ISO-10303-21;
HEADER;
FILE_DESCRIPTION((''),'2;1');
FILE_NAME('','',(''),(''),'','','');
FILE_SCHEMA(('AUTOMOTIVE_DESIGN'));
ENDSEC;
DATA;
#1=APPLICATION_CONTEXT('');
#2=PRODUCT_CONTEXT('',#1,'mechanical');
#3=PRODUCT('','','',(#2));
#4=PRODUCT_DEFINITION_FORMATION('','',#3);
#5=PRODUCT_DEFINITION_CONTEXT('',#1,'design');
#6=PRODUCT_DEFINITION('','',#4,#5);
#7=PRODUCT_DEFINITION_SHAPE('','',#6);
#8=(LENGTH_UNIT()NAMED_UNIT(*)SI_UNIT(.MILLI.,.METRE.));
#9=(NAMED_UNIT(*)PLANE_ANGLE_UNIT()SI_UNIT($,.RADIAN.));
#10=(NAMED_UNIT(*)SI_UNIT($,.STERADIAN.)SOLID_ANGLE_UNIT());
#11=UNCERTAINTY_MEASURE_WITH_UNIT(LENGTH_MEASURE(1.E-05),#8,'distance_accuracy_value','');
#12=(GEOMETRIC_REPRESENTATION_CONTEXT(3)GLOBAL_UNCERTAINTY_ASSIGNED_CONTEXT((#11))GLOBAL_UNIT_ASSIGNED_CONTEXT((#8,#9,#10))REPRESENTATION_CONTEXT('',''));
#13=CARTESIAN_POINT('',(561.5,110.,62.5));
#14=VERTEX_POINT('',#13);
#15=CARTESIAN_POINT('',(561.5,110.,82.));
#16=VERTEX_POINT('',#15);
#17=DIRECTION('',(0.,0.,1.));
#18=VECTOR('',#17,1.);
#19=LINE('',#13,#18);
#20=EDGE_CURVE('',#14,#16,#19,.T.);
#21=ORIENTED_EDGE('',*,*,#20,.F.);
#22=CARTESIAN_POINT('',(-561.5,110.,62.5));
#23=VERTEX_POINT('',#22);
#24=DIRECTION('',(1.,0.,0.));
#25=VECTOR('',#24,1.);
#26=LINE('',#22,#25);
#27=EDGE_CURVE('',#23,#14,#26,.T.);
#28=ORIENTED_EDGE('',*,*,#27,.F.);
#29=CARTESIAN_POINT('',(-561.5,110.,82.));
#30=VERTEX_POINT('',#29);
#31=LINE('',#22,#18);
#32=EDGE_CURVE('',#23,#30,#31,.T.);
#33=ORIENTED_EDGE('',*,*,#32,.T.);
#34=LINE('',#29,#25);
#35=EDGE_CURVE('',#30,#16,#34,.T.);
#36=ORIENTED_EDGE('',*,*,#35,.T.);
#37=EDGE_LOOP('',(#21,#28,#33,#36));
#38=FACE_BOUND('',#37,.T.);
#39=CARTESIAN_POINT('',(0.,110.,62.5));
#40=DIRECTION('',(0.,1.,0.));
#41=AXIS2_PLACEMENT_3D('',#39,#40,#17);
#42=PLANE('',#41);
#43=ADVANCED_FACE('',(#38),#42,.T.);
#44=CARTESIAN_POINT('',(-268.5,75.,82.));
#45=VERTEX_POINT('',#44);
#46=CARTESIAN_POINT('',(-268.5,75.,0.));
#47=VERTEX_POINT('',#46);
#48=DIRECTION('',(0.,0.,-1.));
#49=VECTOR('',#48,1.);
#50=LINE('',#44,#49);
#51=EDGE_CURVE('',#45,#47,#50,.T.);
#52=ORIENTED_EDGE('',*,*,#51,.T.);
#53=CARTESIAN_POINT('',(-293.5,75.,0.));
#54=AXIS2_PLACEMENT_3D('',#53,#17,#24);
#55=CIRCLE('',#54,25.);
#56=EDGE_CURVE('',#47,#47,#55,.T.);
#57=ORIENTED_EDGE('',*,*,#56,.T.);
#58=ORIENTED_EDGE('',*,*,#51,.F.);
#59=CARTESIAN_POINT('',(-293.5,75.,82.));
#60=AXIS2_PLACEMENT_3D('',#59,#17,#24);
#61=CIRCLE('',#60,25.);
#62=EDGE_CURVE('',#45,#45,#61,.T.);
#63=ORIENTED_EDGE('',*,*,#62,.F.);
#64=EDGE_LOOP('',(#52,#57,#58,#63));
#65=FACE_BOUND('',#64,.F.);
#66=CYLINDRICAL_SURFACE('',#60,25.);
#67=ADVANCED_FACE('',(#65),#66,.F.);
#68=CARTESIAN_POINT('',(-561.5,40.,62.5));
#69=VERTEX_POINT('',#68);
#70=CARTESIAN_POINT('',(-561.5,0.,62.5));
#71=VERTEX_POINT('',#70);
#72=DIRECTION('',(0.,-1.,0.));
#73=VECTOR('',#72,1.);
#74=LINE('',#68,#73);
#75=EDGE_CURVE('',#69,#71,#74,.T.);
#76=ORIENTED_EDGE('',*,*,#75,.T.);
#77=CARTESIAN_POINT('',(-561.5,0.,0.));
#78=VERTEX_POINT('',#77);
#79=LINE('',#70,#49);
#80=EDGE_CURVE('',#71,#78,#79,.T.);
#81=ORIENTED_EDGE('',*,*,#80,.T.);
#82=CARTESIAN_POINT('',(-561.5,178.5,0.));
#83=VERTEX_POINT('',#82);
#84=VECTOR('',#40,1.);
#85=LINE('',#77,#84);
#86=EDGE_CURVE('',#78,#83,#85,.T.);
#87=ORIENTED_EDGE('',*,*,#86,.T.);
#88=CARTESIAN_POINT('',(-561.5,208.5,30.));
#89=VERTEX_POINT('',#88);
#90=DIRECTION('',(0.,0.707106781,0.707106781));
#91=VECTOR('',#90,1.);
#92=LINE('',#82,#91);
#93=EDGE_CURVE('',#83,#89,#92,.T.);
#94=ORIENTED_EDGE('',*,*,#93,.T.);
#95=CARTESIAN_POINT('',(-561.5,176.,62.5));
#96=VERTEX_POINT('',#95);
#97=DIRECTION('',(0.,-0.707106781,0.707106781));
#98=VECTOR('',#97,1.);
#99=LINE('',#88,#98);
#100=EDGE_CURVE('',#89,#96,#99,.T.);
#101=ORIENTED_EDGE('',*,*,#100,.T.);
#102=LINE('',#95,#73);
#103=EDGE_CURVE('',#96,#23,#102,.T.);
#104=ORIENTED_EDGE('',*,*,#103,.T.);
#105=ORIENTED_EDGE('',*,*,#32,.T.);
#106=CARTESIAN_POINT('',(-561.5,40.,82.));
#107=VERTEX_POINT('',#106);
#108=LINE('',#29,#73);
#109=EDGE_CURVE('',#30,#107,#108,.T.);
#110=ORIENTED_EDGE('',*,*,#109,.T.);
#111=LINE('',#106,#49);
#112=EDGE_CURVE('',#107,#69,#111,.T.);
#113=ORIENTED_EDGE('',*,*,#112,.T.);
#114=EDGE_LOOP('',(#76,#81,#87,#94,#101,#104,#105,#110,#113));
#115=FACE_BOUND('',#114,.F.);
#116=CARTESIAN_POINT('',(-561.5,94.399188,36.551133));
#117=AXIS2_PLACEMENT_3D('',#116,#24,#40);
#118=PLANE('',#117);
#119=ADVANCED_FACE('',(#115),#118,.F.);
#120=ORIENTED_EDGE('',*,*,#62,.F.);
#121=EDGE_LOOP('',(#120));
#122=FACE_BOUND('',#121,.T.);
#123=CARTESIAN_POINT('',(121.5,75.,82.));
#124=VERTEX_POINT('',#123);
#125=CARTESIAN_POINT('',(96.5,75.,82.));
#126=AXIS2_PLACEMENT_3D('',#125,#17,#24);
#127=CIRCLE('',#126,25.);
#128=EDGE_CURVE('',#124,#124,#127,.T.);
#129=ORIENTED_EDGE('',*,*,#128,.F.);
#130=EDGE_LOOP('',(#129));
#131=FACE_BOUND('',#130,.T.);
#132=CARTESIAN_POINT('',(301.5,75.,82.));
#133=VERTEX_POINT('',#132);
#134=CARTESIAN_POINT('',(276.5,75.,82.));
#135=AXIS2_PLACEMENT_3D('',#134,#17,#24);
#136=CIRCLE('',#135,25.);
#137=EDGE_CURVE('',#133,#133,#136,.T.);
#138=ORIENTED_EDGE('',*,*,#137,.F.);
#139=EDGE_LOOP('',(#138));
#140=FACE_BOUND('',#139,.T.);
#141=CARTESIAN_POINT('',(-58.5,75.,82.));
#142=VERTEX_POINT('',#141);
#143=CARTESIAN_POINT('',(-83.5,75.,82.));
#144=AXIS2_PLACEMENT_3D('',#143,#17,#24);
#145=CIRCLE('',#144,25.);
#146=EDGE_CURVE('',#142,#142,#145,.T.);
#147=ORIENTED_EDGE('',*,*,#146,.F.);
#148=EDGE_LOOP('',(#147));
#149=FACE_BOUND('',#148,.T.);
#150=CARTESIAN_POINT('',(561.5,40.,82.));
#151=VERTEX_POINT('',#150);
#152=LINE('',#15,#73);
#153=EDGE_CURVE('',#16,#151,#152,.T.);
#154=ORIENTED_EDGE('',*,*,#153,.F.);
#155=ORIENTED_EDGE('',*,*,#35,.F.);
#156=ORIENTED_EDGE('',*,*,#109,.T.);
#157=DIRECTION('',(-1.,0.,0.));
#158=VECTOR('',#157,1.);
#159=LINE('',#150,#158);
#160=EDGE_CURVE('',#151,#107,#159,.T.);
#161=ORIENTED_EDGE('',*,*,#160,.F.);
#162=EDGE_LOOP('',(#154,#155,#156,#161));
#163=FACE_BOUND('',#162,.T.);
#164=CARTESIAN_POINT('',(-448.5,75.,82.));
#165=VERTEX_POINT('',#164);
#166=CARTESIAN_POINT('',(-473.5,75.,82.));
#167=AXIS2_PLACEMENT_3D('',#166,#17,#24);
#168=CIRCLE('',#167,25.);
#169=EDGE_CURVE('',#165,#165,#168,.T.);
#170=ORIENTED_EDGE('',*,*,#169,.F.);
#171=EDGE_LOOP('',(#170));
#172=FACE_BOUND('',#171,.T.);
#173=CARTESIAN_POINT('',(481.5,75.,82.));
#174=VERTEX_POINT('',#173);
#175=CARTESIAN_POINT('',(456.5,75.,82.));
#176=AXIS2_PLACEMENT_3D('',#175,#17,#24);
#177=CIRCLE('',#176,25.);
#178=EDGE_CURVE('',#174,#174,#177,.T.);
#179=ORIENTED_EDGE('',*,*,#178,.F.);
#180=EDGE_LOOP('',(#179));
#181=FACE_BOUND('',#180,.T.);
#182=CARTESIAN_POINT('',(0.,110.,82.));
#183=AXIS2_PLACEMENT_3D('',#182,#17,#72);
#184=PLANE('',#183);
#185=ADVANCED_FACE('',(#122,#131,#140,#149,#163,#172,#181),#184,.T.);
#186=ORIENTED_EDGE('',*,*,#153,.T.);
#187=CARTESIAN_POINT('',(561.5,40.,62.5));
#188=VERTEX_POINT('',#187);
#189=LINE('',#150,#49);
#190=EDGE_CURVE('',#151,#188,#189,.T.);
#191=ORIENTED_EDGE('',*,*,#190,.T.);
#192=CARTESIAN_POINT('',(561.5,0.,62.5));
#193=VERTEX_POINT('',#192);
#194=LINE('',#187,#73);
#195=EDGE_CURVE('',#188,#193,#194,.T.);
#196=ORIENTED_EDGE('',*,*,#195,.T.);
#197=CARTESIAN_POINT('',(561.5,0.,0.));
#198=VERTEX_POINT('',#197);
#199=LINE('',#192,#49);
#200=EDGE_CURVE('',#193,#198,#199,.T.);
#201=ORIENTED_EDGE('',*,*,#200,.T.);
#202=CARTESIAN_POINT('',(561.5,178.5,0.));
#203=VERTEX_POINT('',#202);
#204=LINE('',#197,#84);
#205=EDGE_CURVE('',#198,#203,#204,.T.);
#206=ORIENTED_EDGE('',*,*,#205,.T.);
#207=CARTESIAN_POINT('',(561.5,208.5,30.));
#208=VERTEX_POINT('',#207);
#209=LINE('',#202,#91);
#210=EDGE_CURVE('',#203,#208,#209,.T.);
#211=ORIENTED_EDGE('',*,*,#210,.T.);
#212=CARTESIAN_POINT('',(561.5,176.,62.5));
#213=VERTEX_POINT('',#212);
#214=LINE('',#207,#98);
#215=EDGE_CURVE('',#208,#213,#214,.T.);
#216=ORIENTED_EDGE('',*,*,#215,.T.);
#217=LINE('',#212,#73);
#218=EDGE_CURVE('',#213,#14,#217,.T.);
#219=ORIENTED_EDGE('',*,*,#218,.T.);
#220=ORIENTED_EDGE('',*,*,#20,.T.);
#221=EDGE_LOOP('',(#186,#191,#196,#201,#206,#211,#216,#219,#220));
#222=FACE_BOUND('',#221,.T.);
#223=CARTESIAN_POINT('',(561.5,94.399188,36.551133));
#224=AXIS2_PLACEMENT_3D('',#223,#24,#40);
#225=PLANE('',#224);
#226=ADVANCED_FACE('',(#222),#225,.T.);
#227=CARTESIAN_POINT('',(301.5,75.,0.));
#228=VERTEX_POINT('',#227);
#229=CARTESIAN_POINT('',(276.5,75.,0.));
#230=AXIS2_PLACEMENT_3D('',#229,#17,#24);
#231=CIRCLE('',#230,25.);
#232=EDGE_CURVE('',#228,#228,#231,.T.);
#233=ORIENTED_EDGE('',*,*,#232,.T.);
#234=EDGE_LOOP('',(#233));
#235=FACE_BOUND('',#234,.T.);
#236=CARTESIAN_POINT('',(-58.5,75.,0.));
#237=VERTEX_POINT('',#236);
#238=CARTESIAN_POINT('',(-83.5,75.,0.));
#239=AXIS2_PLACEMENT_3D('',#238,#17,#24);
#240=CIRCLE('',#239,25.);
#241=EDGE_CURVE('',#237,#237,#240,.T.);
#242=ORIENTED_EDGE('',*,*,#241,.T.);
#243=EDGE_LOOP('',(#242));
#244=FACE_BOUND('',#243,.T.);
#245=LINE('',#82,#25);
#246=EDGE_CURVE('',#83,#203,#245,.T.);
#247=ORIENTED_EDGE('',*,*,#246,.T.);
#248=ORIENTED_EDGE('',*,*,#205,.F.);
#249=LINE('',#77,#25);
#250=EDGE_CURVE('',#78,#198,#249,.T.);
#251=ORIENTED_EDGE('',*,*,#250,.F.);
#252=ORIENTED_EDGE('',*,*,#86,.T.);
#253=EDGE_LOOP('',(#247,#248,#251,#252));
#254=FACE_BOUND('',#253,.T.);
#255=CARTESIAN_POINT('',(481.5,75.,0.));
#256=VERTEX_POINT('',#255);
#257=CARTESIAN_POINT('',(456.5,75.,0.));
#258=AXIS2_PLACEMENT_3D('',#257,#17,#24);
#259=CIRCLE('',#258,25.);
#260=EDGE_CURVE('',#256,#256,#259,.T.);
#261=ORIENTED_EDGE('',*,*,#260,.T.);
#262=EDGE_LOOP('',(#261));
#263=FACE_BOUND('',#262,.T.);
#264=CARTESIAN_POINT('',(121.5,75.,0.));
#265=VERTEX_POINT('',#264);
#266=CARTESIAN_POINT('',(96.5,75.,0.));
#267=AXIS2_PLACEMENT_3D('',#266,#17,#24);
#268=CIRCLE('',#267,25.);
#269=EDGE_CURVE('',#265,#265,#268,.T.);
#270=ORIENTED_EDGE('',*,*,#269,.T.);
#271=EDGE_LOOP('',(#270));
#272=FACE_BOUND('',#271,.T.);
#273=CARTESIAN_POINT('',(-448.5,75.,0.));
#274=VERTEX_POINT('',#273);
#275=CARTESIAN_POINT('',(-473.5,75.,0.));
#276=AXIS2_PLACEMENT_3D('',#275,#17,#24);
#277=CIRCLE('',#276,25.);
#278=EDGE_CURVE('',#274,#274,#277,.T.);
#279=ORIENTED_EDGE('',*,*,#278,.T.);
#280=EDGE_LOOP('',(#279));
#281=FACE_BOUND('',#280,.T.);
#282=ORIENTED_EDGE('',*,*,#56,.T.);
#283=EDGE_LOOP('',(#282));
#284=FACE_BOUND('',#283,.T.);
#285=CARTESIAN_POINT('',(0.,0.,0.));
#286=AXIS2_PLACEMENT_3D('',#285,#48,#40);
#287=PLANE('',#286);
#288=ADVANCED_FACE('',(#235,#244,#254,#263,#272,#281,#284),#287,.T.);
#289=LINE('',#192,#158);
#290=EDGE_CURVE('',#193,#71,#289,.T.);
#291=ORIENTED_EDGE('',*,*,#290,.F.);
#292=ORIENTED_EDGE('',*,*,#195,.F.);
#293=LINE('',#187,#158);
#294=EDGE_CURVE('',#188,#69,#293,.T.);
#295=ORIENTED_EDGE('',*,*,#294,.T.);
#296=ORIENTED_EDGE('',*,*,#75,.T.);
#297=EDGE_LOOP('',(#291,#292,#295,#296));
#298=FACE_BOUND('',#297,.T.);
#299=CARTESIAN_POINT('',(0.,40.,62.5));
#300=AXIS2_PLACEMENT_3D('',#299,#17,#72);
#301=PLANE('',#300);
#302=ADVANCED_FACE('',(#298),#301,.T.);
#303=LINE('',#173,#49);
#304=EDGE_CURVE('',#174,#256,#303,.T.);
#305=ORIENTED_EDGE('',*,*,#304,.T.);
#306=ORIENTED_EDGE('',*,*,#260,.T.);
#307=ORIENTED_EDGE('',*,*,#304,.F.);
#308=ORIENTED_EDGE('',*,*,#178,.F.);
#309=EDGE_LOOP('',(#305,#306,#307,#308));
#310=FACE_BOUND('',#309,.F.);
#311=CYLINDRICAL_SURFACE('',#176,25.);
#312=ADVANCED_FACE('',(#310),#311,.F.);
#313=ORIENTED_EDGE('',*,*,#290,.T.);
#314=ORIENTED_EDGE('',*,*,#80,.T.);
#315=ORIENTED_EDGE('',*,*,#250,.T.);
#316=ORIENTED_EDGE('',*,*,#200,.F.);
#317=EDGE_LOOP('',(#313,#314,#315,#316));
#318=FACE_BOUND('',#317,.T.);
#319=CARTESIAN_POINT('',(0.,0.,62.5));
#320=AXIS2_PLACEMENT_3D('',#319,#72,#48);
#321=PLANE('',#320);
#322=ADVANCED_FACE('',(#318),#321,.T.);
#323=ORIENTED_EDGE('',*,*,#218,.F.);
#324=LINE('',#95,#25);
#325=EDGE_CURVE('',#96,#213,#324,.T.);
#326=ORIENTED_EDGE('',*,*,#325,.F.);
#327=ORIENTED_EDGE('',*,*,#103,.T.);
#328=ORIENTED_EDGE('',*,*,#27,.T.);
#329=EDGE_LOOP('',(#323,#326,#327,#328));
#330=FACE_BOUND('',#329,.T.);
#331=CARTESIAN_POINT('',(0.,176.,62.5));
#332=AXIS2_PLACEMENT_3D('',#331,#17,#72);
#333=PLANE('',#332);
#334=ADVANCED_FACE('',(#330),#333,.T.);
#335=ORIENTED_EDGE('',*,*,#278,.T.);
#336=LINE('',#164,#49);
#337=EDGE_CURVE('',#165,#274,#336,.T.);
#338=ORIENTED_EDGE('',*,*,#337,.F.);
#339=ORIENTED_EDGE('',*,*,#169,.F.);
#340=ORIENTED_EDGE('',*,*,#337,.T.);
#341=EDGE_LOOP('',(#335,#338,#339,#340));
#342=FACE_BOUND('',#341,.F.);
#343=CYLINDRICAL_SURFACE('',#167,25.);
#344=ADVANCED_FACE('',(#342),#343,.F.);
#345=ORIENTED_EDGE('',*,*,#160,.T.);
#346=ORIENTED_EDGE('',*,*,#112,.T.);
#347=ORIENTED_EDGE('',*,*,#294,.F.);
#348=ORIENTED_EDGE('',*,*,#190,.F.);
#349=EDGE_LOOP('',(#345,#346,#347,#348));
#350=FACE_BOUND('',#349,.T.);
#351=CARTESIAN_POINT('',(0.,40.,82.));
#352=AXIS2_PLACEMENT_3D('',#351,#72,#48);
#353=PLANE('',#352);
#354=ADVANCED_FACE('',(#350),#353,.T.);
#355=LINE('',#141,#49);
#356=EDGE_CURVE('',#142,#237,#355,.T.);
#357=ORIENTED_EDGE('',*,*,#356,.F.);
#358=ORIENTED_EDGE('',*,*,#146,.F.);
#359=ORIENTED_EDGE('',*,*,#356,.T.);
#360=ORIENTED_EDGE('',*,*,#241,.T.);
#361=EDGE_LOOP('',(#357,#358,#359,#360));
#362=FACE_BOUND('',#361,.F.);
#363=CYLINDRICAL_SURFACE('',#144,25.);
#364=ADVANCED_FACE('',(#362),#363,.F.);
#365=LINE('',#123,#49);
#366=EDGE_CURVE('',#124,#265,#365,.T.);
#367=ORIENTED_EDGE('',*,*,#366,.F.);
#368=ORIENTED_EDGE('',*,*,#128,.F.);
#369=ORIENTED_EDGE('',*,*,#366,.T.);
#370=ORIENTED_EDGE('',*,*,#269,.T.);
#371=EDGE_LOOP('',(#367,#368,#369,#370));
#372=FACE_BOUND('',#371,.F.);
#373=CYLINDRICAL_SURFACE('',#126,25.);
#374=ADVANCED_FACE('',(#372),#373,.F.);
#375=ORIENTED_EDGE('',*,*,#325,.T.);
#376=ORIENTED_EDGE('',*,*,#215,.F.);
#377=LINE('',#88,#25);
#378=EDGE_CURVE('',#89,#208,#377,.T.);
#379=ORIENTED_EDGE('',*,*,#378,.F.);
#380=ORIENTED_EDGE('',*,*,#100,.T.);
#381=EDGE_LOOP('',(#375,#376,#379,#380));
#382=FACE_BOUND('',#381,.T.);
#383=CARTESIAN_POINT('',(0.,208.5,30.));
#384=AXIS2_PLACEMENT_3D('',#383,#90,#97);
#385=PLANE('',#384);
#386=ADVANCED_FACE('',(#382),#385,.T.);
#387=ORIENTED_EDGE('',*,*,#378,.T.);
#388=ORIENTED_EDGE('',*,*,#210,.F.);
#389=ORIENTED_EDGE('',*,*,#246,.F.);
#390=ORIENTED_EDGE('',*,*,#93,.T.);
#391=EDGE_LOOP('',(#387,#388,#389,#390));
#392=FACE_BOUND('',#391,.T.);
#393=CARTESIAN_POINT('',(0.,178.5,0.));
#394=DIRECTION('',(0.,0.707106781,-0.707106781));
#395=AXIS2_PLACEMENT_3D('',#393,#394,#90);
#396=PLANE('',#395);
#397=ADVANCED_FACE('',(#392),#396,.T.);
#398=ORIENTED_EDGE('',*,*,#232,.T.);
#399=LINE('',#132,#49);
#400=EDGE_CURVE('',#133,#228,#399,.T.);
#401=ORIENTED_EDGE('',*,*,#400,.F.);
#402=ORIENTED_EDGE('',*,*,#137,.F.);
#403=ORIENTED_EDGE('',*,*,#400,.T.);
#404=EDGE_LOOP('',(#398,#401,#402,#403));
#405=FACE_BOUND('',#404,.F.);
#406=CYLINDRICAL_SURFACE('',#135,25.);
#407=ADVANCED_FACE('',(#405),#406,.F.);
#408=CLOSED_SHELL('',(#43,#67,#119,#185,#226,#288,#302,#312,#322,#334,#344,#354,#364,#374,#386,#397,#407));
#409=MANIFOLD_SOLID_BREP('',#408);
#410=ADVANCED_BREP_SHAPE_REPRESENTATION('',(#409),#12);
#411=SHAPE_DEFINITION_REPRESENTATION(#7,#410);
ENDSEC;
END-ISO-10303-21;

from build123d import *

# Parameters (mm, degrees)
F1_DEPTH = 561.5
F2_R     = 25
F3_DEPTH = 82.001


with BuildPart() as f1:
    # F0 (on Right) → F1 (new body, symmetric)
    with BuildSketch(Plane.YZ):
        Polygon((0, 62.5), (0, 0), (178.5, 0), (208.5, 30), (176, 62.5), (110, 62.5), (110, 82), (40, 82), (40, 62.5), align=None)
    extrude(amount=F1_DEPTH, both=True)

    # F2 (on face) → F3 (cut, through all)
    with BuildSketch(Plane.XY.offset(82)):
        with Locations((456.5, 75)):
            Circle(F2_R)
        with Locations((276.5, 75)):
            Circle(F2_R)
        with Locations((96.5, 75)):
            Circle(F2_R)
        with Locations((-83.5, 75)):
            Circle(F2_R)
        with Locations((-293.5, 75)):
            Circle(F2_R)
        with Locations((-473.5, 75)):
            Circle(F2_R)
    extrude(amount=-F3_DEPTH, mode=Mode.SUBTRACT)


solid = f1.part
